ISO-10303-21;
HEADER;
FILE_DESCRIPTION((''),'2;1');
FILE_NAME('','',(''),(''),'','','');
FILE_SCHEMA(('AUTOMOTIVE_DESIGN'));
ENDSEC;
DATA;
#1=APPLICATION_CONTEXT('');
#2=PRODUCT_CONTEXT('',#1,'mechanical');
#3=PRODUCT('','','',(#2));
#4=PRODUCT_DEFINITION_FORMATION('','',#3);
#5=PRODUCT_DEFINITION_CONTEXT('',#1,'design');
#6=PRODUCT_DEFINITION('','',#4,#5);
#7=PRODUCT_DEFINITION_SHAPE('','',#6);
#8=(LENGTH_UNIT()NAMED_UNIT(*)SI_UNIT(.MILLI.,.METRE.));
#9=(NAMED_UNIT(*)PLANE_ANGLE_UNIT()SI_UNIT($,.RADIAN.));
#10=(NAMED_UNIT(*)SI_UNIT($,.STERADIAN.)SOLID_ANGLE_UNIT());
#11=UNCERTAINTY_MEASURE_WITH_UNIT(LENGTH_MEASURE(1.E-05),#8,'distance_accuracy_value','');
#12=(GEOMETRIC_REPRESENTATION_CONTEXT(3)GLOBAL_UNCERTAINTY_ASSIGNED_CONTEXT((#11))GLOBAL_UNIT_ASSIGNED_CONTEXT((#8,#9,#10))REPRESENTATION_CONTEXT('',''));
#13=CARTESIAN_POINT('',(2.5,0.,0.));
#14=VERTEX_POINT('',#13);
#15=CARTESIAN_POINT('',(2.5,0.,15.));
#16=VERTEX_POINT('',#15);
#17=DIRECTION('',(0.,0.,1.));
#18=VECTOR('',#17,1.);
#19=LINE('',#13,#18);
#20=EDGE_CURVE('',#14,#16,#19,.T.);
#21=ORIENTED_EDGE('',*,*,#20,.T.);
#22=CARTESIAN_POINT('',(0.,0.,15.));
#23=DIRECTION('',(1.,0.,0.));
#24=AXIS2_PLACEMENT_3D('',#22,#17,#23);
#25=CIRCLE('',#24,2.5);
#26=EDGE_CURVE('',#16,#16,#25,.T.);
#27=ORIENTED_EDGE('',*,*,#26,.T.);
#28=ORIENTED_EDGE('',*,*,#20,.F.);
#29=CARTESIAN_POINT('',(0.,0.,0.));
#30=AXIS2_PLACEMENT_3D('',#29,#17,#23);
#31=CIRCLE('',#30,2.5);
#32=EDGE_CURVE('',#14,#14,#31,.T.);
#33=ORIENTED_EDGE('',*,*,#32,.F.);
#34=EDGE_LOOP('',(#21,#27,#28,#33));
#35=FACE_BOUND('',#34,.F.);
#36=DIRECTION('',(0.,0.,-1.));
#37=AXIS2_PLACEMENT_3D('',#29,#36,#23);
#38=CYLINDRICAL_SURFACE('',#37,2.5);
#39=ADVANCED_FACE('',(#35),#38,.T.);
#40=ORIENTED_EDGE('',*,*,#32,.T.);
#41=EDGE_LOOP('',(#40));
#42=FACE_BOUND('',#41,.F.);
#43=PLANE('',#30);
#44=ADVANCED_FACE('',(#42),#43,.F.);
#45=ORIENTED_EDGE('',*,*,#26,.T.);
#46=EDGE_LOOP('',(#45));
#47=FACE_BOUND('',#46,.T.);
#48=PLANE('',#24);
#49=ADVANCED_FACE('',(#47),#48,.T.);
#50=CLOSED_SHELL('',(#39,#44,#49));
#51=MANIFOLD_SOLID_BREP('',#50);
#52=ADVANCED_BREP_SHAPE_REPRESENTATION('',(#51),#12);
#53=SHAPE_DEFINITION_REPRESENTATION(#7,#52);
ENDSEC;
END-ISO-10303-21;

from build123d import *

# Parameters (mm, degrees)
SKETCH_1_R      = 2.5
EXTRUDE_1_DEPTH = 15


with BuildPart() as part:
    # 草圖1 → 填料-伸長1 (new body)
    with BuildSketch(Plane.XY):
        Circle(SKETCH_1_R)
    extrude(amount=EXTRUDE_1_DEPTH)


solid = part.part
